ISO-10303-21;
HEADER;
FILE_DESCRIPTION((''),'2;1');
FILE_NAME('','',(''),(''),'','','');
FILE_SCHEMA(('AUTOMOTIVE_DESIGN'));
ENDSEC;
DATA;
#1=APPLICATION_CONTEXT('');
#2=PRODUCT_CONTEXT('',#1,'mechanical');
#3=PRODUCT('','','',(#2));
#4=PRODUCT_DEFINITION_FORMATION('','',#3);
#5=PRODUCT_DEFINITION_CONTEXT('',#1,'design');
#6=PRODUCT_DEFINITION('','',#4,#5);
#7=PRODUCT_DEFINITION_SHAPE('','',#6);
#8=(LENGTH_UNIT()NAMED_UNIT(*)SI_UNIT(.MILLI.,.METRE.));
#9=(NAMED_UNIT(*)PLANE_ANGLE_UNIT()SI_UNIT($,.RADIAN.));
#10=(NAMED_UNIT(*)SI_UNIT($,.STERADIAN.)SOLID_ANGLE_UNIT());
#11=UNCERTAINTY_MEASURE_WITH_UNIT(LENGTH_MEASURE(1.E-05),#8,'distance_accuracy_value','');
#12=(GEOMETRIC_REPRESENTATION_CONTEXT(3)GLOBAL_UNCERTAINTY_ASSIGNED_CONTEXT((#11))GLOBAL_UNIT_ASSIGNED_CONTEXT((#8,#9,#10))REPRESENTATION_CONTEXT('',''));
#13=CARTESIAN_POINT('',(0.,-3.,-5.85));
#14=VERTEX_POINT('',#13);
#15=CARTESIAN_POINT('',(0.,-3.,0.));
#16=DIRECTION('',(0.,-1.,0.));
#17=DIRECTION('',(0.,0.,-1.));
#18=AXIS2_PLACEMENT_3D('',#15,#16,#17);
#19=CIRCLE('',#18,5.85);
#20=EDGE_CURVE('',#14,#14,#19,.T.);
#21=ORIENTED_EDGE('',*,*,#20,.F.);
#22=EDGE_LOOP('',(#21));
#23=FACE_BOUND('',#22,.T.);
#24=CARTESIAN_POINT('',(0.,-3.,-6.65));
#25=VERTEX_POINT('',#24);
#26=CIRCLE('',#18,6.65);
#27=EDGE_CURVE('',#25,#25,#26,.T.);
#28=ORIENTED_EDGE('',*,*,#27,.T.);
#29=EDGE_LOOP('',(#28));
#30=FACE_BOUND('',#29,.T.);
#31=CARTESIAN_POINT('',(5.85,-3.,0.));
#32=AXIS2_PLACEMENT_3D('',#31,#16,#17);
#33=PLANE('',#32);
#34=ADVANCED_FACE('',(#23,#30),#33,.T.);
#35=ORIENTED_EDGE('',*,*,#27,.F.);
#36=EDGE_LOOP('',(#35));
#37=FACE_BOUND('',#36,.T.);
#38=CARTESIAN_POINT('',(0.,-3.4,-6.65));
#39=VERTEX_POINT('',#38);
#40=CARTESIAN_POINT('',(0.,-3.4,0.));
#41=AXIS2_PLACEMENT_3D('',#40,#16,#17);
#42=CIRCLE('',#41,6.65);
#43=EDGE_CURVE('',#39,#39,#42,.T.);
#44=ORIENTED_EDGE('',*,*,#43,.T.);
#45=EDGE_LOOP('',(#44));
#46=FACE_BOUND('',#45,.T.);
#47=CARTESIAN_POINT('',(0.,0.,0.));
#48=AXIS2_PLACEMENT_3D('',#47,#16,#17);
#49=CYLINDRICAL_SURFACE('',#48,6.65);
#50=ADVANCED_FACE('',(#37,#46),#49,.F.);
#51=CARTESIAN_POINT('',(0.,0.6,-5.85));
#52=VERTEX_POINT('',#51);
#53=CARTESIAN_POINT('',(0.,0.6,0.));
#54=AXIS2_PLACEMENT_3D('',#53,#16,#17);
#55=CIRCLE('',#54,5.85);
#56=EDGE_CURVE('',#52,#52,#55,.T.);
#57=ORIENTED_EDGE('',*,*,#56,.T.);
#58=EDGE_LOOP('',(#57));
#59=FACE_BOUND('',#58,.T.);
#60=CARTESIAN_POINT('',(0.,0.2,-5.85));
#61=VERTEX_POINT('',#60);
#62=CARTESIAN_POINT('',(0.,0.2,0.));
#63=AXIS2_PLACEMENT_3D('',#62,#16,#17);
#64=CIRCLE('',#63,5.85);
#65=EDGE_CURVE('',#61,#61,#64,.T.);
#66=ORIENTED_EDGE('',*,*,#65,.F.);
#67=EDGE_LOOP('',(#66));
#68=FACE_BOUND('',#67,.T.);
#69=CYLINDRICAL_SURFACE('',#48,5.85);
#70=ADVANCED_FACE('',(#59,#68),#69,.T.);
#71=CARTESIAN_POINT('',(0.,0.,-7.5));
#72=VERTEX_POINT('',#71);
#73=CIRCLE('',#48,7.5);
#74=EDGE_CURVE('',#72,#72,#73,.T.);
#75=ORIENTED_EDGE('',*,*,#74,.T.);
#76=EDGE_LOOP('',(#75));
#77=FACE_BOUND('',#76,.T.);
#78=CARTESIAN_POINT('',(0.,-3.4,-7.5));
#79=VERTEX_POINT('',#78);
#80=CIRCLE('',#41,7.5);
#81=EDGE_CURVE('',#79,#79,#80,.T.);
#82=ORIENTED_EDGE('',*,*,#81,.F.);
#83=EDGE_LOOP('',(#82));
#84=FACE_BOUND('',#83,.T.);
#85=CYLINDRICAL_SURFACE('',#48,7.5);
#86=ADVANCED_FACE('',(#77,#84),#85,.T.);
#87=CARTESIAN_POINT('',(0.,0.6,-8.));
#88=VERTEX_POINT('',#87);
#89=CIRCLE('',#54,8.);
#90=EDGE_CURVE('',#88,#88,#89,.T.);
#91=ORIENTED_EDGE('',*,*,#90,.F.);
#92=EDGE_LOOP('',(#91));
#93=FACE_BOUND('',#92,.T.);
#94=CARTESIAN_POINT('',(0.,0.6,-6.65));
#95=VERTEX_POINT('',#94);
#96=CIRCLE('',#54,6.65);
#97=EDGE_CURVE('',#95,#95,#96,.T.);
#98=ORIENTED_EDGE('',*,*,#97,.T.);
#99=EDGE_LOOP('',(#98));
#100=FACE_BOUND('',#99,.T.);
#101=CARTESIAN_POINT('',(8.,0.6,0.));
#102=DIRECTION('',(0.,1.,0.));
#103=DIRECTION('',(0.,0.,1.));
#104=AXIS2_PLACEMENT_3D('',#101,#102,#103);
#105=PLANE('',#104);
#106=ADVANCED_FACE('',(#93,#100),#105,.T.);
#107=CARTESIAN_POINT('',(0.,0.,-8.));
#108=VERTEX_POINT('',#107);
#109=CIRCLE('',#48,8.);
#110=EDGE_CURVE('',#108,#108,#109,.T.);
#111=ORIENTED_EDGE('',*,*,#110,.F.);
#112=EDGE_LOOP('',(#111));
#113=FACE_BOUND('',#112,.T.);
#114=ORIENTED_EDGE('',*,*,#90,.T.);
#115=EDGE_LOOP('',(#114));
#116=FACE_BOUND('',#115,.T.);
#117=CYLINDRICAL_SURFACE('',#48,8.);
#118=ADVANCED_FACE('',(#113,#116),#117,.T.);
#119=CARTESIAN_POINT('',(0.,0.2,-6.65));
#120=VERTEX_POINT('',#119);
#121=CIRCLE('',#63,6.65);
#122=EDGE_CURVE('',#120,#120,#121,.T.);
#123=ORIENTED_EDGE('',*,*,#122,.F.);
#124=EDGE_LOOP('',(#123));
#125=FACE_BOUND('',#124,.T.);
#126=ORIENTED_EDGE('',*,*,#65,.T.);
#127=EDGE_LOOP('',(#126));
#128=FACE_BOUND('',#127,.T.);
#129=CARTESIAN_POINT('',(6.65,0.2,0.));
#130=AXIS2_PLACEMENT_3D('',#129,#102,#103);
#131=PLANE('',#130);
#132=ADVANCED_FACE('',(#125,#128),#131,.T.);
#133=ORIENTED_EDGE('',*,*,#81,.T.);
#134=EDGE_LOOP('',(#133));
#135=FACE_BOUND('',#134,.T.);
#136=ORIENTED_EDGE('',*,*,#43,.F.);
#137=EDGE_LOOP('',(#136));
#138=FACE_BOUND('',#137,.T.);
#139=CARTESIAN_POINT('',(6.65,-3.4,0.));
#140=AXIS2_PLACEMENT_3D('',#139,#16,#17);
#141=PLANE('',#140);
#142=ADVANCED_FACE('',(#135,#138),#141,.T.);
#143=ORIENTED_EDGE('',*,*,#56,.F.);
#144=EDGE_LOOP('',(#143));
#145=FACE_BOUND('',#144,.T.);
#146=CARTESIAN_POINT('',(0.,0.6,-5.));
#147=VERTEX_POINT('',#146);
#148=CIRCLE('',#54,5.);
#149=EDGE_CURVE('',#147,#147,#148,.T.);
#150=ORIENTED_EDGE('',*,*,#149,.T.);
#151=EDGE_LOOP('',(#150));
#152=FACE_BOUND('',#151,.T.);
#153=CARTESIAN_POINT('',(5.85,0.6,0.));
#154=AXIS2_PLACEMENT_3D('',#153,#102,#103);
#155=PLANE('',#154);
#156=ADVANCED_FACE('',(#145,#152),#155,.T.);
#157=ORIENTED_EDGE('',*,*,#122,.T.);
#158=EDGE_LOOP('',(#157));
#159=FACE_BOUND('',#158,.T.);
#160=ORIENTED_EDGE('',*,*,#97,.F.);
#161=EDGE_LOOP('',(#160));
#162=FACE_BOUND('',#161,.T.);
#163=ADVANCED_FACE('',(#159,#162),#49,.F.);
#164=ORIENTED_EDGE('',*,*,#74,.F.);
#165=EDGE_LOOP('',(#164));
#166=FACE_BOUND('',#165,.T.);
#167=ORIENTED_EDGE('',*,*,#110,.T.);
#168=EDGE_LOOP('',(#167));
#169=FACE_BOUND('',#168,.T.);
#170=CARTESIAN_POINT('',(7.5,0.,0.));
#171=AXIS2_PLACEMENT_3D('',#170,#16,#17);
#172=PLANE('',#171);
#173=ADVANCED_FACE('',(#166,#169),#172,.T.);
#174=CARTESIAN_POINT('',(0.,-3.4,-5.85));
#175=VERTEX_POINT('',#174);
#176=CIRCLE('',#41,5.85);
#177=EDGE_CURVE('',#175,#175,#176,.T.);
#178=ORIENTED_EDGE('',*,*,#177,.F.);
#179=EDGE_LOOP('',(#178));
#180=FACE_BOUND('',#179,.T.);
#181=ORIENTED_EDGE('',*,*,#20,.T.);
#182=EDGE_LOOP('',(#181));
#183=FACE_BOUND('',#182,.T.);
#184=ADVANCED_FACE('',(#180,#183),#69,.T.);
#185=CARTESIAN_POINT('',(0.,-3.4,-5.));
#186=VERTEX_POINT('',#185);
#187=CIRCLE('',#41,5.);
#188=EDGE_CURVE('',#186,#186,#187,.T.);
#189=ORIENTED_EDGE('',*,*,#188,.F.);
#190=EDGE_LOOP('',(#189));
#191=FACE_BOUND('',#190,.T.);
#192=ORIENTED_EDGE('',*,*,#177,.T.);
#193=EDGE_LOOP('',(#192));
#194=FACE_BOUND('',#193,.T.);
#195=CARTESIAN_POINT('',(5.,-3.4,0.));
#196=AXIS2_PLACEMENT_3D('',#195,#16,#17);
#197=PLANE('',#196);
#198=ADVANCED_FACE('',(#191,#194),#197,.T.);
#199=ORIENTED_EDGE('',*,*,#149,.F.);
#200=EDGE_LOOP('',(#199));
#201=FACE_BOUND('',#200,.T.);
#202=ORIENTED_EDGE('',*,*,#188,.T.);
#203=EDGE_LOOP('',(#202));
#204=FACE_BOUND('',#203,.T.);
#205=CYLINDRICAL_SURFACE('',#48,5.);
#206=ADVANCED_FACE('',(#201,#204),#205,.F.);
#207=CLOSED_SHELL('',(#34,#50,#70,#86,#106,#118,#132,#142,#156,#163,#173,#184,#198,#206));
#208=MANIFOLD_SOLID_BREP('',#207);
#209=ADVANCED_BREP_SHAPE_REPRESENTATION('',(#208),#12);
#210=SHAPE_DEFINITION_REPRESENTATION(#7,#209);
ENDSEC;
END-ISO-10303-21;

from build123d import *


with BuildPart() as part:
    # Sketch1 → Revolve1 (revolve)
    with BuildSketch(Plane.XY):
        Polygon((5, 0.6), (5, -3.4), (5.85, -3.4), (5.85, -3), (6.65, -3), (6.65, -3.4), (7.5, -3.4), (7.5, 0), (8, 0), (8, 0.6), (6.65, 0.6), (6.65, 0.2), (5.85, 0.2), (5.85, 0.6), align=None)
    revolve(axis=Axis((0, 0, 0), (0, 1, 0)))


solid = part.part
